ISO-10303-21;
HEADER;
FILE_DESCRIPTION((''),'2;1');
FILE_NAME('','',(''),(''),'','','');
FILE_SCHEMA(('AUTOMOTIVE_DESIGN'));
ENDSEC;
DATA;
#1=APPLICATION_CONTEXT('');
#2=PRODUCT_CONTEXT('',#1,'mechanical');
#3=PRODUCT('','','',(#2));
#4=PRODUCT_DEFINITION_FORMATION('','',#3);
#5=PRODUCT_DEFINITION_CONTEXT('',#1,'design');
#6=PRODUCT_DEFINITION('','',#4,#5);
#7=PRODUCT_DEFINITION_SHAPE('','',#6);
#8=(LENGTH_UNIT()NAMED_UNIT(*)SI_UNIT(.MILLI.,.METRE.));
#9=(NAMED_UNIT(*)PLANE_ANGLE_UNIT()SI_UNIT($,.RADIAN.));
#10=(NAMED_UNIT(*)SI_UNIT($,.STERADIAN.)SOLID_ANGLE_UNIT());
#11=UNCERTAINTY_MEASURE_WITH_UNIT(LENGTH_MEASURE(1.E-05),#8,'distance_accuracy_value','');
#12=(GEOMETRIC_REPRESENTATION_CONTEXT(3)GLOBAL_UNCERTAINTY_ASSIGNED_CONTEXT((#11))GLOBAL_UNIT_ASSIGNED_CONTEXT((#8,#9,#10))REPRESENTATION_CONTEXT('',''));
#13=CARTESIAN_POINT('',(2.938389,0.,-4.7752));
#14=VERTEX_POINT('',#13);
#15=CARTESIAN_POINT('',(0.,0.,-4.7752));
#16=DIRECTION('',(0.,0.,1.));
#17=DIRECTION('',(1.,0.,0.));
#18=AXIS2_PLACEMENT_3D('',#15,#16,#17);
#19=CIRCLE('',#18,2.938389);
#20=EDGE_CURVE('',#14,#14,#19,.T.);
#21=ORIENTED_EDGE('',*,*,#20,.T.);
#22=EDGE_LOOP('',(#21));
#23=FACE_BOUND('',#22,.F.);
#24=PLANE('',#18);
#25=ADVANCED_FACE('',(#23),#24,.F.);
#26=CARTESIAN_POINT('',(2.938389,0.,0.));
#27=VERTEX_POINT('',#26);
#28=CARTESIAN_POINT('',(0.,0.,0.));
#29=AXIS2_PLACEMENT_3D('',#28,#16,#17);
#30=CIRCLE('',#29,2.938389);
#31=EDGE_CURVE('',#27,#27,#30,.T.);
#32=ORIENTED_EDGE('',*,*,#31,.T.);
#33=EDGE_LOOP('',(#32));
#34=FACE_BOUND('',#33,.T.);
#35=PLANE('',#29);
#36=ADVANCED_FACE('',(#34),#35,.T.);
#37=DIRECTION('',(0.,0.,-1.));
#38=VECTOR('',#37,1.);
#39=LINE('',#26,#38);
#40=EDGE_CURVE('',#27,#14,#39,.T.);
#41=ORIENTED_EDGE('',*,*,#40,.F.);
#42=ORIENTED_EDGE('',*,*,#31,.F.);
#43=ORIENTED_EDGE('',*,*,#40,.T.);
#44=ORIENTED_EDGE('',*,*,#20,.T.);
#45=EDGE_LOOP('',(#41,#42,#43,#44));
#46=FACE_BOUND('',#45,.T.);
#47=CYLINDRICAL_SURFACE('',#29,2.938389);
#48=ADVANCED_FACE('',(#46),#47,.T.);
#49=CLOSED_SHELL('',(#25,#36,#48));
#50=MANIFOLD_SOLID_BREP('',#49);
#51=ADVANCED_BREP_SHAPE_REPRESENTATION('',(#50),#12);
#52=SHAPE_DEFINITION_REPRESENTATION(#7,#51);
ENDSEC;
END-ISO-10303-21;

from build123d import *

# Parameters (mm, degrees)
F0_R     = 2.033883
F0_R_2   = 1.622175
F1_DEPTH = 1.27
F2_R     = 2.938389
F3_DEPTH = 4.7752


with BuildPart() as f1:
    # F0 (on Top) → F1 (new body)
    with BuildSketch(Plane.XY):
        Circle(F0_R)
        Circle(F0_R_2, mode=Mode.SUBTRACT)
    extrude(amount=-F1_DEPTH)

    # F2 (on face) → F3 (join)
    with BuildSketch(Plane.XY):
        Circle(F2_R)
    extrude(amount=-F3_DEPTH)


solid = f1.part
